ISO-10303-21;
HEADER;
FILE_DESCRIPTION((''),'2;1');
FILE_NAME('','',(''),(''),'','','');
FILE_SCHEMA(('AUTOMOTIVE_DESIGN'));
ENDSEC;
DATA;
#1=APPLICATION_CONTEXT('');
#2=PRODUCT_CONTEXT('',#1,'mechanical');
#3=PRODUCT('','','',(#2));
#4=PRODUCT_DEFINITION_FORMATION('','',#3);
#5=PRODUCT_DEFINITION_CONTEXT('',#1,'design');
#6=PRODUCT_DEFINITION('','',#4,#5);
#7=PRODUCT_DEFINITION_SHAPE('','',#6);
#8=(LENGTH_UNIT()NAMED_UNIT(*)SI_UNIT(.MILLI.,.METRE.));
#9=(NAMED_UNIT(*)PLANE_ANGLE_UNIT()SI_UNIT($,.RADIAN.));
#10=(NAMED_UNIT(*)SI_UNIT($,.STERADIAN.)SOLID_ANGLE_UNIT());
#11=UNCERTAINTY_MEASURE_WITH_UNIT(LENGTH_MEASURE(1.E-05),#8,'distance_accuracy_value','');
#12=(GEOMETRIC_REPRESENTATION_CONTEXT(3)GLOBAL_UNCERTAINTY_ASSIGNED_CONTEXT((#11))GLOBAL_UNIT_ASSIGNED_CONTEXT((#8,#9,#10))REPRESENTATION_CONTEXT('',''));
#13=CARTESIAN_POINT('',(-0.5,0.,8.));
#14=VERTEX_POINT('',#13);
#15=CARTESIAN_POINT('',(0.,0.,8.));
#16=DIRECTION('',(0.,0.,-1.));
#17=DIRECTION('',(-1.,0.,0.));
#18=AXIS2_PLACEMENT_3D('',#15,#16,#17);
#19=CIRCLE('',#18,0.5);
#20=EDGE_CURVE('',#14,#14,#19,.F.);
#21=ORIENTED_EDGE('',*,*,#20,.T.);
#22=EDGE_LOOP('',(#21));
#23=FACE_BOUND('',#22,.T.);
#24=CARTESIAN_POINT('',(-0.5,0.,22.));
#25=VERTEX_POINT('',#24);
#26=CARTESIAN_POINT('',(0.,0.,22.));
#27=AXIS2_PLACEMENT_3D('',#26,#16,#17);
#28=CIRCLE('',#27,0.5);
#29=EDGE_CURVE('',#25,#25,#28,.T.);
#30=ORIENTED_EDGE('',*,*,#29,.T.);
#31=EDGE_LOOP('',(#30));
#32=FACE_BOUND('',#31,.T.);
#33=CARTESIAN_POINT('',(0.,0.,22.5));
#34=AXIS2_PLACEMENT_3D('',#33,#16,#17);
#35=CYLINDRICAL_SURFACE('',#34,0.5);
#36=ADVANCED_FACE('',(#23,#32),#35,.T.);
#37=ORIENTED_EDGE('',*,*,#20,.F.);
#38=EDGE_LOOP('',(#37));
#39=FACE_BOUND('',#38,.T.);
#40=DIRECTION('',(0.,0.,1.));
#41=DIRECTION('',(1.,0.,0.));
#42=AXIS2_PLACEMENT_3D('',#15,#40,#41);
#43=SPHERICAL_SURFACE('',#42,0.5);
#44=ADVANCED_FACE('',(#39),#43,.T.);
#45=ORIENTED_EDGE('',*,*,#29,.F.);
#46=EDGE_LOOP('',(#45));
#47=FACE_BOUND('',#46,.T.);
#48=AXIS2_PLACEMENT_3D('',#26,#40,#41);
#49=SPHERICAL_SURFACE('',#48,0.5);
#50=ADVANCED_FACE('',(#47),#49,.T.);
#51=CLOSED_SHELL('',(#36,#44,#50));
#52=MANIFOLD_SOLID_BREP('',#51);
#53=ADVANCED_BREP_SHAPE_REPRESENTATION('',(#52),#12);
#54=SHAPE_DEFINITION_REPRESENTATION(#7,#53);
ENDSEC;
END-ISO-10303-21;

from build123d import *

# Parameters (mm, degrees)
SKETCH2_R           = 1
BOSS_EXTRUDE4_DEPTH = 30
FILLET2_R           = 1
ESCALA1_SCALE       = 0.5


with BuildPart() as part:
    # Sketch2 → Boss-Extrude4 (new body)
    with BuildSketch(Plane.XY):
        Circle(SKETCH2_R)
    extrude(amount=BOSS_EXTRUDE4_DEPTH)

    # Fillet2
    fillet2_edges = [part.edges().sort_by_distance(p)[0] for p in [
        (-1, 0, 0),
        (-1, 0, 30),
    ]]
    fillet(fillet2_edges, radius=FILLET2_R)


with BuildPart() as part_1:
    # Escala1: scaled about (0, 0, 15)
    add(part.part.scale(ESCALA1_SCALE).moved(Location((0, 0, 7.5))))


solid = part_1.part
